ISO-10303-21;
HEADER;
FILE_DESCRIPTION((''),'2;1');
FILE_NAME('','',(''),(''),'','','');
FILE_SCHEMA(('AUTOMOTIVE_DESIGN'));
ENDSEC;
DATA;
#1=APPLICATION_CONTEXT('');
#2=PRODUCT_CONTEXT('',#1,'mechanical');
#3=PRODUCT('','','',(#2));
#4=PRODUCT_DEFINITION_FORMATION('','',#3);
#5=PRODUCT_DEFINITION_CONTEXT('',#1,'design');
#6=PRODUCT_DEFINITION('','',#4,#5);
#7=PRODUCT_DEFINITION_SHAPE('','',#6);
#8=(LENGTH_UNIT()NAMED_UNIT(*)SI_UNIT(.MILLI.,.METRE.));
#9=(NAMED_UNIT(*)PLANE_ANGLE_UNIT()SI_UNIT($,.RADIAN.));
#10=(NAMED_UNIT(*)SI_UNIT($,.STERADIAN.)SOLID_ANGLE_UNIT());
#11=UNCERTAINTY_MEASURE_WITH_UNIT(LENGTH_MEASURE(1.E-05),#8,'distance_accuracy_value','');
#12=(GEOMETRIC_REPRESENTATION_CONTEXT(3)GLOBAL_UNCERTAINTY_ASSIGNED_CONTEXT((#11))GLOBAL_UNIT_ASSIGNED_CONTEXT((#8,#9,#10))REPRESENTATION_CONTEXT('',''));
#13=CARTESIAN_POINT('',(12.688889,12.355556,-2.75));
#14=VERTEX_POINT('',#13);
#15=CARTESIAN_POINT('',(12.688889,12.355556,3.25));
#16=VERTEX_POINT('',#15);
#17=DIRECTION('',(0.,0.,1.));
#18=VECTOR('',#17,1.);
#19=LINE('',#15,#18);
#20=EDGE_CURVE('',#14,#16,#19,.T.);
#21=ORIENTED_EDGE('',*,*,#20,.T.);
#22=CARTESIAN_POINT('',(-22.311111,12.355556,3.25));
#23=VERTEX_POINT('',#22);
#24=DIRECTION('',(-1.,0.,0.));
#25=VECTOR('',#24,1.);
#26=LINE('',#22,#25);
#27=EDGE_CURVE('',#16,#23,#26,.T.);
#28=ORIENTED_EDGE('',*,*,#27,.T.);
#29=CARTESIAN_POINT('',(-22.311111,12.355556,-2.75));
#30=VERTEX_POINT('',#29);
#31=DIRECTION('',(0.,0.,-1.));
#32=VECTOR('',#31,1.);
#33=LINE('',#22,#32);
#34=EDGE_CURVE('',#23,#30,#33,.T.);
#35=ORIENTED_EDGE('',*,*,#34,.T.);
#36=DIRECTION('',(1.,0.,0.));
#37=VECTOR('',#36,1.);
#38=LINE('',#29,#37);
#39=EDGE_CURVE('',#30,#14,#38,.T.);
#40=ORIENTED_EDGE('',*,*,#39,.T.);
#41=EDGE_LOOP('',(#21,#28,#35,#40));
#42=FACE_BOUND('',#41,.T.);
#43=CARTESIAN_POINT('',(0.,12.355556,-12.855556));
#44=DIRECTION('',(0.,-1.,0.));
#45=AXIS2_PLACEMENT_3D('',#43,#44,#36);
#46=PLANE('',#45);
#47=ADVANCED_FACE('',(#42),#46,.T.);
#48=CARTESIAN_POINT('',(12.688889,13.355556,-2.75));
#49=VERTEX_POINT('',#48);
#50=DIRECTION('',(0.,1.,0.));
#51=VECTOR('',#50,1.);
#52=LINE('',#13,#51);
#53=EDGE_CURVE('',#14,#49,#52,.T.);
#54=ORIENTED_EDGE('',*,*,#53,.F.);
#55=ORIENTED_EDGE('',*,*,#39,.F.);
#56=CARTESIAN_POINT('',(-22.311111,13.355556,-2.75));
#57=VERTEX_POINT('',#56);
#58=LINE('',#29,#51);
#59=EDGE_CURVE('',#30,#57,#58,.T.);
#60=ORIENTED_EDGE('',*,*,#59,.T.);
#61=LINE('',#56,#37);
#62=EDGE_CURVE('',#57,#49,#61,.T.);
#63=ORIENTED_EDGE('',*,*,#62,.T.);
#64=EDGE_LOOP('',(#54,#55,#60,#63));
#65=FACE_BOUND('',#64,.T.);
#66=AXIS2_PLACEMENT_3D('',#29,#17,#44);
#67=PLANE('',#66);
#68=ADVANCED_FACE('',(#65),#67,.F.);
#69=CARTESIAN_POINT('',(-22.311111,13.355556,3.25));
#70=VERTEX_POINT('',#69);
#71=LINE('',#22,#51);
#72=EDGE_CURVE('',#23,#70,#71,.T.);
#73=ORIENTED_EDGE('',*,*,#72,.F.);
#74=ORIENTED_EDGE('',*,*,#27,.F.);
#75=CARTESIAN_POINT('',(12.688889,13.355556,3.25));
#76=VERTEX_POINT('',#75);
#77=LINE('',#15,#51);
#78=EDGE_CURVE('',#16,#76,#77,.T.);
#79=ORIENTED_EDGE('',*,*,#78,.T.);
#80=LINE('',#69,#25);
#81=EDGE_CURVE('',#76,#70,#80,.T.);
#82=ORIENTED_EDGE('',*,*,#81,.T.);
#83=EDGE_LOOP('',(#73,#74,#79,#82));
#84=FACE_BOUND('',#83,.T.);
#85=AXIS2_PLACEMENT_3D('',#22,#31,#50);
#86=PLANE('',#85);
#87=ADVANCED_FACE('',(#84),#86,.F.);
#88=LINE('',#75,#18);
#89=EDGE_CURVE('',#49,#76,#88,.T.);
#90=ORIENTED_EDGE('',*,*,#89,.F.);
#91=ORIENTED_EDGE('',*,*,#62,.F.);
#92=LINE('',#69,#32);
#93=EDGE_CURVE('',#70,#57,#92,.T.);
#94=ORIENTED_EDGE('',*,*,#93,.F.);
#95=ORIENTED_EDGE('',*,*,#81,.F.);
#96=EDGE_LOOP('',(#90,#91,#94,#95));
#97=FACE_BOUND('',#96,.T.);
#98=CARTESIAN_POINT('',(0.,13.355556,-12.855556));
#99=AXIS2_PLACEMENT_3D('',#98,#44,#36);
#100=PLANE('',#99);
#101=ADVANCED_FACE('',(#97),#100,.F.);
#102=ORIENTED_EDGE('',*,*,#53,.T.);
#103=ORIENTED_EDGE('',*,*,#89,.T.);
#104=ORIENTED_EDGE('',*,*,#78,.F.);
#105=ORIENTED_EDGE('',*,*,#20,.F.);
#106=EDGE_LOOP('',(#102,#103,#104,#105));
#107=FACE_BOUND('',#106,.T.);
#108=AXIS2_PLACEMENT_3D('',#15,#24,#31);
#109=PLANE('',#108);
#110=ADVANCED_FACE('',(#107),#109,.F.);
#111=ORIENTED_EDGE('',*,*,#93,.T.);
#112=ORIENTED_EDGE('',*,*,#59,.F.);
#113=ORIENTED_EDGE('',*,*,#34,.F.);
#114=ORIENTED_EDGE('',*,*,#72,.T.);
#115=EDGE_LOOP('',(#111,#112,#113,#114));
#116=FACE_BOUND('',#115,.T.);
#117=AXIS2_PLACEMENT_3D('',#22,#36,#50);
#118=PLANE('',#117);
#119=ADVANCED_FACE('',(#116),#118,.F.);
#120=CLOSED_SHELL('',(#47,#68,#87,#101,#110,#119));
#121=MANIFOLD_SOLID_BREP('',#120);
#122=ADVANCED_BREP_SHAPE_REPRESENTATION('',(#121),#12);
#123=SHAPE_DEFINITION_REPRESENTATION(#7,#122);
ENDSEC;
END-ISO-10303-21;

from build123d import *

# Parameters (mm, degrees)
SKETCH1_W             = 35
SKETCH1_H             = 6
BOSS_EXTRUDE1_DEPTH   = 1
BODY_MOVE_COPY1_ANGLE = 90


with BuildPart() as part:
    # Sketch1 → Boss-Extrude1 (new body)
    with BuildSketch(Plane.XY):
        with Locations((-4.811111111, 13.105555556)):
            Rectangle(SKETCH1_W, SKETCH1_H)
    extrude(amount=BOSS_EXTRUDE1_DEPTH)


with BuildPart() as part_1:
    # Body-Move/Copy1: moved
    add(part.part.rotate(Axis((0, 13.105555556, 0.25), (1, 0, 0)), BODY_MOVE_COPY1_ANGLE))


solid = part_1.part
